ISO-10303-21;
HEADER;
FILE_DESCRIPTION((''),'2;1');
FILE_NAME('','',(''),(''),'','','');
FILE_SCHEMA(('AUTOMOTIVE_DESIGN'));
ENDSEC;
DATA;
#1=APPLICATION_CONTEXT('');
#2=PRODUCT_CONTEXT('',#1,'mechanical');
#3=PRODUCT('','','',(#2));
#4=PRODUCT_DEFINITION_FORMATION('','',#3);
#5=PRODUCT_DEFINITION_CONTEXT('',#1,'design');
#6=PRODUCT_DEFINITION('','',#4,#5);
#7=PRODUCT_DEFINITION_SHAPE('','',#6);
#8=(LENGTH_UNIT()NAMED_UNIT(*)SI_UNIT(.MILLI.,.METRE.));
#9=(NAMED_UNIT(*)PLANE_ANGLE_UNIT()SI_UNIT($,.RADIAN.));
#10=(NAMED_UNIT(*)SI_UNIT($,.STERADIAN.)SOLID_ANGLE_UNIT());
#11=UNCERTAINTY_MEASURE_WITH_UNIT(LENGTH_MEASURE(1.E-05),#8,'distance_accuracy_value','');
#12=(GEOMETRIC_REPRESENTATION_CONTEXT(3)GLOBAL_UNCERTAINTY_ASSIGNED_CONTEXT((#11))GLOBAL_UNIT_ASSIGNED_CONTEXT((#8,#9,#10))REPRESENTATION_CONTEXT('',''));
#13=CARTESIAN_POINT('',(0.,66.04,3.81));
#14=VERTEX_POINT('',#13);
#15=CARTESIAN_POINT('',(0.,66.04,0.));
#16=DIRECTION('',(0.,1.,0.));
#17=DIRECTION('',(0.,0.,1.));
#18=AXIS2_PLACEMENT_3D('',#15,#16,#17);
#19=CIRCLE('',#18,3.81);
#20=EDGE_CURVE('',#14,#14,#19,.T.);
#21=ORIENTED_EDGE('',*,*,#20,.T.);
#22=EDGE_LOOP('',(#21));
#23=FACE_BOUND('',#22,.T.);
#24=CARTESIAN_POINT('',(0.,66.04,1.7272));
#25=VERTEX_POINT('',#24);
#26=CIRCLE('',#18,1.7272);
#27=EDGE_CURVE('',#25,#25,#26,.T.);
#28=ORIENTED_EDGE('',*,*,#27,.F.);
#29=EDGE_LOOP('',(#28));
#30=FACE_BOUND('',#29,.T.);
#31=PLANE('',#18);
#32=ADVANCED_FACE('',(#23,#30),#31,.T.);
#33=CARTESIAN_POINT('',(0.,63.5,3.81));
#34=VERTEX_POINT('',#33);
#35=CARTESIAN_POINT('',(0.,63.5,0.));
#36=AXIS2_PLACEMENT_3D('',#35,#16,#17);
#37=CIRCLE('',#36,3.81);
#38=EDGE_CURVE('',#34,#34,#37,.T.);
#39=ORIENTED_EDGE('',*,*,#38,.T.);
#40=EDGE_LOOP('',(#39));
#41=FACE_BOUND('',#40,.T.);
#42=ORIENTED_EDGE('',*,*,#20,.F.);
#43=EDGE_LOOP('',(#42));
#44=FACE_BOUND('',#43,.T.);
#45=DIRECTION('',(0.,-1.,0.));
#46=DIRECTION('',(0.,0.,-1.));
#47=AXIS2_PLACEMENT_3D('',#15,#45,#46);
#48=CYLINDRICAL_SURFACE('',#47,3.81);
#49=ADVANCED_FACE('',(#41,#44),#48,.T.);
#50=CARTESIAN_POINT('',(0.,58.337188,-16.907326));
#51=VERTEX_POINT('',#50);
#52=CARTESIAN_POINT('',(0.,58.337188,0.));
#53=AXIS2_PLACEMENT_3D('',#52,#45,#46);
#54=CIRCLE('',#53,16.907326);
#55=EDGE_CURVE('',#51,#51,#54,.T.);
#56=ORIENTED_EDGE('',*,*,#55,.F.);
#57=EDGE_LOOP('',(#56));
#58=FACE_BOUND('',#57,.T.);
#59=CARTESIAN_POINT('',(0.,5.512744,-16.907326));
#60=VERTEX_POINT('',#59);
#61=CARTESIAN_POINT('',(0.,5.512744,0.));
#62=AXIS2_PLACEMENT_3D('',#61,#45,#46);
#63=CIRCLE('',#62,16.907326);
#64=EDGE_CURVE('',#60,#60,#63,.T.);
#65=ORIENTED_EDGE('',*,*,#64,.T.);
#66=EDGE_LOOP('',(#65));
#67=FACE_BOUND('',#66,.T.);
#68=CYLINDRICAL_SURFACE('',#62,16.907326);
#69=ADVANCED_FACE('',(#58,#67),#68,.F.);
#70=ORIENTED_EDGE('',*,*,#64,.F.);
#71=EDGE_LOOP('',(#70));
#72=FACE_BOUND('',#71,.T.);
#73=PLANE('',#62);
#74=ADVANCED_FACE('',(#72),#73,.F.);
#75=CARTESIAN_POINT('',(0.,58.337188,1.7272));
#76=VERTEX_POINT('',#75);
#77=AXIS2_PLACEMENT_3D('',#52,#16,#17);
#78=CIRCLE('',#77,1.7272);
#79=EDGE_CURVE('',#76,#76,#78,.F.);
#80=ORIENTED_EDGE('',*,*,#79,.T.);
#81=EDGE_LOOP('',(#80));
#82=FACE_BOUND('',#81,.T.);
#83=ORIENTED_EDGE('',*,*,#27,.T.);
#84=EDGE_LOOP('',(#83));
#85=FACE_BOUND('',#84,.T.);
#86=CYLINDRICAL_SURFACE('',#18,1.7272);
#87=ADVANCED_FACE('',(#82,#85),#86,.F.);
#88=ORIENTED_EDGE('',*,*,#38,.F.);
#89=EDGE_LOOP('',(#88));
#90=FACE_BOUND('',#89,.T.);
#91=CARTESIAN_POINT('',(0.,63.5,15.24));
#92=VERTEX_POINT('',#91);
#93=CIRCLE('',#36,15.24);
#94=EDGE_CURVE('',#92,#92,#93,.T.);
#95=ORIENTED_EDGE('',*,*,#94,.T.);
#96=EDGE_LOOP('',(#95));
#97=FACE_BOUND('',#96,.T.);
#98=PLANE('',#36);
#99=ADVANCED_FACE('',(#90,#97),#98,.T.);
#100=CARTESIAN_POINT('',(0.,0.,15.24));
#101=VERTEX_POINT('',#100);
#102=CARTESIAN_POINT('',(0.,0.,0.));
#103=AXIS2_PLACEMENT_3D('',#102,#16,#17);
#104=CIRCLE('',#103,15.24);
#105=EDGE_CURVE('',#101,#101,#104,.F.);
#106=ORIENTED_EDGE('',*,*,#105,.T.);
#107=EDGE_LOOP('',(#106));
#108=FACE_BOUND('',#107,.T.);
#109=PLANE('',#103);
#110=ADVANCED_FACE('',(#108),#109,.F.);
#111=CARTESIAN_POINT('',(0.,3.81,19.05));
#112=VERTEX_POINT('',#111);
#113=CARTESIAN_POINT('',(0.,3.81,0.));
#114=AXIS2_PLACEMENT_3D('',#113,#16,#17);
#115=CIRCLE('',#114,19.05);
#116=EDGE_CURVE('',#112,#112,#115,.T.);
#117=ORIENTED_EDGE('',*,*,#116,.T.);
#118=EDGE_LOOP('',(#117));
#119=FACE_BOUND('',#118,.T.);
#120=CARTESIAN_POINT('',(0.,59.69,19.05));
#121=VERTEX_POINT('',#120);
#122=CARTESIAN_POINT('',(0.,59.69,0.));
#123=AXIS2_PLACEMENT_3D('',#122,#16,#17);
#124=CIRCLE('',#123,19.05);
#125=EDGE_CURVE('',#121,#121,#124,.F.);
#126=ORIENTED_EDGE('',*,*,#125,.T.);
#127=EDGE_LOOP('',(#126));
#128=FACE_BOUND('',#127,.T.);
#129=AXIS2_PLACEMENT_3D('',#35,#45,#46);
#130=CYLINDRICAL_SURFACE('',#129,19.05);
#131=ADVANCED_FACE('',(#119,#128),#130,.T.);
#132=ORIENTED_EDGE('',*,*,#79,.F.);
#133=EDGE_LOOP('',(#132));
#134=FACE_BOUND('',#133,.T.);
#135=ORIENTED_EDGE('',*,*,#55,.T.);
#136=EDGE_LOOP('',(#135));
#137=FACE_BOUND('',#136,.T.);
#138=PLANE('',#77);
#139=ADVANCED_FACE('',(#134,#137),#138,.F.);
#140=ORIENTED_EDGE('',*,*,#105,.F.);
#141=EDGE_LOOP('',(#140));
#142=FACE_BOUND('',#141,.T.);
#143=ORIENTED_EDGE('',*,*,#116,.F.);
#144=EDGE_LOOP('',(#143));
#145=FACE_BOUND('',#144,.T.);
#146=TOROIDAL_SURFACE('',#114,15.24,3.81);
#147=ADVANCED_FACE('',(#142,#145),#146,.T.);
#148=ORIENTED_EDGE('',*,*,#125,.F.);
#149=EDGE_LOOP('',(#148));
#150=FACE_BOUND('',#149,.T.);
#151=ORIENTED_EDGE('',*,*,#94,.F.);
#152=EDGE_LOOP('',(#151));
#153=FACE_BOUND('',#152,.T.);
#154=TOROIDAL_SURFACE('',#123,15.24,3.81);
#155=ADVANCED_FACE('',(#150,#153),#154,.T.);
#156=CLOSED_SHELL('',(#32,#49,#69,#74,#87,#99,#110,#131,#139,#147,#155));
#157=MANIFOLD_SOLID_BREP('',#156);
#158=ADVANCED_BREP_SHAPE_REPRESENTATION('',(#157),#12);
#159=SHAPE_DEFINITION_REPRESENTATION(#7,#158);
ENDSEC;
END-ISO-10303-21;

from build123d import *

# Parameters (mm, degrees)
SKETCH1_R                 = 19.05
BOSS_EXTRUDE1_DEPTH       = 63.5
FILLET1_R                 = 3.81
SKETCH2_R                 = 3.81
BOSS_EXTRUDE2_DEPTH       = 2.54
F_8_32_TAPPED_HOLE1_D     = 3.4544
F_8_32_TAPPED_HOLE1_DEPTH = 12.53744
F_8_32_TAPPED_HOLE1_TIP   = 1.037806461
SKETCH6_W                 = 16.907326274
SKETCH6_H                 = 52.824444264


with BuildPart() as part:
    # Sketch1 → Boss-Extrude1 (new body)
    with BuildSketch(Plane(origin=(0, 0, 0), x_dir=(1, 0, 0), z_dir=(0, 1, 0))):
        Circle(SKETCH1_R)
    extrude(amount=BOSS_EXTRUDE1_DEPTH)

    # Fillet1
    fillet1_edges = [part.edges().sort_by_distance(p)[0] for p in [
        (-19.05, 0, 0),
        (-19.05, 63.5, 0),
    ]]
    fillet(fillet1_edges, radius=FILLET1_R)

    # Sketch2 → Boss-Extrude2 (add)
    with BuildSketch(Plane(origin=(0, 63.5, 0), x_dir=(1, 0, 0), z_dir=(0, 1, 0))):
        Circle(SKETCH2_R)
    extrude(amount=BOSS_EXTRUDE2_DEPTH)

    # #8-32 Tapped Hole1
    with Locations(Plane(origin=(0, 66.04, 0), x_dir=(1, 0, 0), z_dir=(0, 1, 0))):
        with Locations((0, 0)):
            Hole(F_8_32_TAPPED_HOLE1_D / 2, depth=F_8_32_TAPPED_HOLE1_DEPTH)
            with Locations((0, 0, -(F_8_32_TAPPED_HOLE1_DEPTH + F_8_32_TAPPED_HOLE1_TIP / 2))):  # 118° drill point
                Cone(0, F_8_32_TAPPED_HOLE1_D / 2, F_8_32_TAPPED_HOLE1_TIP, mode=Mode.SUBTRACT)

    # Sketch6 → Cut-Revolve1 (revolve, cut)
    with BuildSketch(Plane(origin=(0, 0, 0), x_dir=(0, 0, -1), z_dir=(1, 0, 0))):
        with Locations((8.453663137, 31.924965915)):
            Rectangle(SKETCH6_W, SKETCH6_H)
    revolve(axis=Axis((0, 5.512743783, 0), (0, 1, 0)), mode=Mode.SUBTRACT)


solid = part.part
